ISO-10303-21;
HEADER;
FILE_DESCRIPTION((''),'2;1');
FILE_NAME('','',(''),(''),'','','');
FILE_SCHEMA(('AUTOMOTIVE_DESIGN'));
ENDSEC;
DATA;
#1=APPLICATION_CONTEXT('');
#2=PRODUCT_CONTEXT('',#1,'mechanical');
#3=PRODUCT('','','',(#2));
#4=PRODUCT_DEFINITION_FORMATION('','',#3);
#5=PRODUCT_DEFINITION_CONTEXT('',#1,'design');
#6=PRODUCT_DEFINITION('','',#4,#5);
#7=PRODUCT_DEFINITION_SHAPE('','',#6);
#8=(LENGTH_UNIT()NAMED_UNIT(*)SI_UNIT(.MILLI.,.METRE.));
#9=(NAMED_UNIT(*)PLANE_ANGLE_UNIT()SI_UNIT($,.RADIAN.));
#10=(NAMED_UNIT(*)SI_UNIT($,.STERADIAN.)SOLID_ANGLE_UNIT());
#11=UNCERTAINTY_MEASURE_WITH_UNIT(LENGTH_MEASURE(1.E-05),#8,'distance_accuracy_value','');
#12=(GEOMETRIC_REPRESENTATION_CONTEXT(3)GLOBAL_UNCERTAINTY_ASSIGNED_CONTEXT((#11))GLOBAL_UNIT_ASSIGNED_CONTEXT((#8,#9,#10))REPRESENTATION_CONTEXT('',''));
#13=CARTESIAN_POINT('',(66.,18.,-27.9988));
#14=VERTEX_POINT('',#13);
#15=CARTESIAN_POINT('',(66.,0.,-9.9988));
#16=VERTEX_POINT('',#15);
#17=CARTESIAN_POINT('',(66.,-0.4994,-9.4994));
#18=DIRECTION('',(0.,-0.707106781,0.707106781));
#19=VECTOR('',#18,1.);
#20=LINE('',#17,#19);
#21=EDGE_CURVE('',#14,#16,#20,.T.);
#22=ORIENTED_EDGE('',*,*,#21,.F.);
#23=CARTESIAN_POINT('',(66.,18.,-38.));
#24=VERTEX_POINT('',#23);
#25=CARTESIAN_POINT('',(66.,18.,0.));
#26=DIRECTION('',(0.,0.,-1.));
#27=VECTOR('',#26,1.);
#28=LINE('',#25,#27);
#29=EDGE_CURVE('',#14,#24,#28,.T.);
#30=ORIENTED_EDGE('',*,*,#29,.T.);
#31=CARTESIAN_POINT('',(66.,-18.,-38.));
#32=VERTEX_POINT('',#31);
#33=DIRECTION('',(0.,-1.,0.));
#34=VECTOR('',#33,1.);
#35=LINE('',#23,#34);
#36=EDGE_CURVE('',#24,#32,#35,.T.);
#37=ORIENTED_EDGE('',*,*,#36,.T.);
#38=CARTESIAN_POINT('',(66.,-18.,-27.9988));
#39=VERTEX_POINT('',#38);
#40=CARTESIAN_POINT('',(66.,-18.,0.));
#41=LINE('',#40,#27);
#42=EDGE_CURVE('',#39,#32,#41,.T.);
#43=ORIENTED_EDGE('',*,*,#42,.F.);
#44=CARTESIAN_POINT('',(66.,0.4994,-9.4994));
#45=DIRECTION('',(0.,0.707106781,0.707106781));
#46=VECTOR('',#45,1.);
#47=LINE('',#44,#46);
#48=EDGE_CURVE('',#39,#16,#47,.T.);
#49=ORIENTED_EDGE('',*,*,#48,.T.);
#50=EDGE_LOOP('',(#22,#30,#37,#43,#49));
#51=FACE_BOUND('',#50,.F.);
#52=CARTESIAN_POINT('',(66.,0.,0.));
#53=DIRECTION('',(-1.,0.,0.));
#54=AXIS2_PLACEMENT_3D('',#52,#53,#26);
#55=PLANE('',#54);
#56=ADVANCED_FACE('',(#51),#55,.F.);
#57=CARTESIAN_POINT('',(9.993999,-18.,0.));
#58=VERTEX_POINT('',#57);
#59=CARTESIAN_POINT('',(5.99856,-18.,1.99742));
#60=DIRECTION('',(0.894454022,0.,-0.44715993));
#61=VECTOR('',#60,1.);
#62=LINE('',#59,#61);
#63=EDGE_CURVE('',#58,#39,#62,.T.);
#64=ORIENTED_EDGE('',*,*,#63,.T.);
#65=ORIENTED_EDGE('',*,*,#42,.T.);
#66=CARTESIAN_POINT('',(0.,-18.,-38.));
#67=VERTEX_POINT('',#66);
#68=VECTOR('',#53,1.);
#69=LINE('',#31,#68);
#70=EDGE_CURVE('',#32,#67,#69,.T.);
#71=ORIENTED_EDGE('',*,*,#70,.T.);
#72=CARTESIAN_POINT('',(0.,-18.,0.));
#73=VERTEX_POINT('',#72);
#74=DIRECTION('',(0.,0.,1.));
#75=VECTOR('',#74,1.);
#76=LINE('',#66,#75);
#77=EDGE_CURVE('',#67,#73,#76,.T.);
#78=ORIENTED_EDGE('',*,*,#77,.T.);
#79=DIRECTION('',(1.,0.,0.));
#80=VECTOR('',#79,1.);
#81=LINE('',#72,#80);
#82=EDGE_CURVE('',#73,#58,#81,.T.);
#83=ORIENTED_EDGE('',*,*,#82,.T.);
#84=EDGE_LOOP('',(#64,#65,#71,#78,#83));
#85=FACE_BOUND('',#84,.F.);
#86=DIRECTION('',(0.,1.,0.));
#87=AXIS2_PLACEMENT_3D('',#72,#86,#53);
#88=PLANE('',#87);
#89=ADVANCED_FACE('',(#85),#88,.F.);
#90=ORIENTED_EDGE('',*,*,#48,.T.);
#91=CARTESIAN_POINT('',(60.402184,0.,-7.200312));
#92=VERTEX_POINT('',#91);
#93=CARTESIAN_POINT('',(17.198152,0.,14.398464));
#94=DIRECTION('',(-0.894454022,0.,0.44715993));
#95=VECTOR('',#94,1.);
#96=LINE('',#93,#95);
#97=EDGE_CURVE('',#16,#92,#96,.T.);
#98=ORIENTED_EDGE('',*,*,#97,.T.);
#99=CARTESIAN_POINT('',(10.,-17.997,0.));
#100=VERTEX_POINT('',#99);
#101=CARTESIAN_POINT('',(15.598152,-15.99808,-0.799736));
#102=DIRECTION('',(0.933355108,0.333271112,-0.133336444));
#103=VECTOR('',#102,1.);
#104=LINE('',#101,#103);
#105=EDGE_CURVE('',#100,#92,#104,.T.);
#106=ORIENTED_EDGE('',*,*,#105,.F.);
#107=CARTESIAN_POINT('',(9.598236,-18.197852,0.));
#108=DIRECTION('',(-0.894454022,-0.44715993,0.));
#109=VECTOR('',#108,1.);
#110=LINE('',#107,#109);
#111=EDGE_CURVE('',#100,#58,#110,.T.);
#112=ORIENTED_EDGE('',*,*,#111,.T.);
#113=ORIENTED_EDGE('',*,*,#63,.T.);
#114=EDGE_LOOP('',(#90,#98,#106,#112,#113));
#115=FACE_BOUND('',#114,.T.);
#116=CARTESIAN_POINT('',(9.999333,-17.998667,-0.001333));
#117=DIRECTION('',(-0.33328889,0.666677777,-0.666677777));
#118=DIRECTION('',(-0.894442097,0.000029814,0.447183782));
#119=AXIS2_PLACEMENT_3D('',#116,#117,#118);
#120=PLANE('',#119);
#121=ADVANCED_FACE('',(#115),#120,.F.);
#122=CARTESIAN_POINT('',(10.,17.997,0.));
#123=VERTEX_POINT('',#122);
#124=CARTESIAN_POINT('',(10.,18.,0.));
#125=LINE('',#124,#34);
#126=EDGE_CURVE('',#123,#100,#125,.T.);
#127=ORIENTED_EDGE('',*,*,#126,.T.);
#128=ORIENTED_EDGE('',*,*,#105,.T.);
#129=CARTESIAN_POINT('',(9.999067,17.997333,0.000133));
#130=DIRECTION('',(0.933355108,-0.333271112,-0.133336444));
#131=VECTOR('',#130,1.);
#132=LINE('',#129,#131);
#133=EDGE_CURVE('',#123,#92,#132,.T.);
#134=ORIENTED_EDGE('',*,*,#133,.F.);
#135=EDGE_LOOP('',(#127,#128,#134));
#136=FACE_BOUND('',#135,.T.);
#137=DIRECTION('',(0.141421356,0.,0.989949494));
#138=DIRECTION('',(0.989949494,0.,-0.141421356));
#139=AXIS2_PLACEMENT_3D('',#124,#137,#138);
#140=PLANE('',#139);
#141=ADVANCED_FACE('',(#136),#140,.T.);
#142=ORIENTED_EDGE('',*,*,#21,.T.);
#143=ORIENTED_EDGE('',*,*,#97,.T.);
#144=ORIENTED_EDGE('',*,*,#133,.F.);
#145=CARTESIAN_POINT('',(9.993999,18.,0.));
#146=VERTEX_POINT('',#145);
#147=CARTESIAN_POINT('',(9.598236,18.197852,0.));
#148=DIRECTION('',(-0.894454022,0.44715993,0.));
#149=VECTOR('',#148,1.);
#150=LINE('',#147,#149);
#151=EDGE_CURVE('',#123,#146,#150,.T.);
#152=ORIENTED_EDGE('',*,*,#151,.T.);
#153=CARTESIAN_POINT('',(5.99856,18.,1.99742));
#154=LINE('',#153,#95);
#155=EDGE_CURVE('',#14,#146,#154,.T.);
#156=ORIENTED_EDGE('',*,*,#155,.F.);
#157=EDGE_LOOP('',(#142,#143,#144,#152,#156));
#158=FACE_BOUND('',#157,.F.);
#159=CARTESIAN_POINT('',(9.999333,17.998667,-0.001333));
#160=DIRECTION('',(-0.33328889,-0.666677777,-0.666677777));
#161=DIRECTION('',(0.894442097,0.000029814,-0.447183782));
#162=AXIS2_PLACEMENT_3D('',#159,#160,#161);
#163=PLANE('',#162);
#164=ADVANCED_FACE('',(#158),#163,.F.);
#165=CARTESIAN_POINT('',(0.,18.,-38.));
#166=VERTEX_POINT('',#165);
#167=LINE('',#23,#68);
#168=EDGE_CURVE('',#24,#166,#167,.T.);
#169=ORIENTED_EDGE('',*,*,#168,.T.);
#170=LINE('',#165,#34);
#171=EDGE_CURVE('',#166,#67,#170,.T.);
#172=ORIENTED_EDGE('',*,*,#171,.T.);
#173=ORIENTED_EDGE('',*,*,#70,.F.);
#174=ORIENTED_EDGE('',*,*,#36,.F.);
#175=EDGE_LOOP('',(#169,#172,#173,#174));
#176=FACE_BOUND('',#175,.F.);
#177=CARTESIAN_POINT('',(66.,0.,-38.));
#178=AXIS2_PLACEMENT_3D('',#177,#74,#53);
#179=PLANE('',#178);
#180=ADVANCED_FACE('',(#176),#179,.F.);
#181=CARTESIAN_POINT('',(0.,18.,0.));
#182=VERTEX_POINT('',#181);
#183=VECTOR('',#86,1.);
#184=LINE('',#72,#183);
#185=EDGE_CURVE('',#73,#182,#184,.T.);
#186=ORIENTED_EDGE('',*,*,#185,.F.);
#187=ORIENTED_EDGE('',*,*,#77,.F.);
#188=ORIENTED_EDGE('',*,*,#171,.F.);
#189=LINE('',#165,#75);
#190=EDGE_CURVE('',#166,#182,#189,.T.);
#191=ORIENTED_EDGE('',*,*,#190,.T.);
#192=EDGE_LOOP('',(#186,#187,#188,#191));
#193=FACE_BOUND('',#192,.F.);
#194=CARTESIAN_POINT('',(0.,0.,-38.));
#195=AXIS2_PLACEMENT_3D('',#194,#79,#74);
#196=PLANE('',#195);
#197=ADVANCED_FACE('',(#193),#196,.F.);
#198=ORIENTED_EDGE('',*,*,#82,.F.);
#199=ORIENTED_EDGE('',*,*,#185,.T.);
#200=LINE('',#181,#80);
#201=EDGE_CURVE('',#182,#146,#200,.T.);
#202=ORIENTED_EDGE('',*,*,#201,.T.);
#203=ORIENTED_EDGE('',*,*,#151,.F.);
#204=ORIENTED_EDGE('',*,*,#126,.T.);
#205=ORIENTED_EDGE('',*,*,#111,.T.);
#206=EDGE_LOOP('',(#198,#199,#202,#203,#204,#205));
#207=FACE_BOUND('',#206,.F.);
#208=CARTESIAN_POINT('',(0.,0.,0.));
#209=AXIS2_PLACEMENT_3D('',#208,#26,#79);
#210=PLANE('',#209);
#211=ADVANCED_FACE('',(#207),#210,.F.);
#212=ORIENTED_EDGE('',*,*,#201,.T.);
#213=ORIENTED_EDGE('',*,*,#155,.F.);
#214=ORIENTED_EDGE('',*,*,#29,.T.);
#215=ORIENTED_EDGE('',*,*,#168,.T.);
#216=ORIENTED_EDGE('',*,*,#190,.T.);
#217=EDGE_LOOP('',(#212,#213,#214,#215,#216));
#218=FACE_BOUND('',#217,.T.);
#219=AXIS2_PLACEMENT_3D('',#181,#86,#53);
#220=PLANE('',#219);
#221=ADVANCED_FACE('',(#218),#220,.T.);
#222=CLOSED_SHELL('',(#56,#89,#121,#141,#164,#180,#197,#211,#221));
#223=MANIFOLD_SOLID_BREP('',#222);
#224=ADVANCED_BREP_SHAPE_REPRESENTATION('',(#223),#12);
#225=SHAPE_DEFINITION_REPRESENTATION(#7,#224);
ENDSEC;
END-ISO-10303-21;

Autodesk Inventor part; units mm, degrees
ref_plane "YZ Plane" through (0, 0, 0) normal (1, 0, 0) x (0, 1, 0)
ref_plane "XZ Plane" through (0, 0, 0) normal (0, 1, 0) x (-1, 0, 0)
sketch "草圖1" plane through (0, 0, 0) normal (0, 1, 0) x (-1, 0, 0)
  line L0 (0, 0) -> (-66, 0)
  line L1 (-66, 0) -> (-66, -38)
  line L2 (-66, -38) -> (0, -38)
  line L3 (0, -38) -> (0, 0)
  dimension "d0" = 66
  dimension "d1" = 38
extrude "擠出1" add sketch "草圖1" along normal mid plane 36
sketch "草圖2" plane through (0, 18, 0) normal (0, 1, 0) x (1, 0, 0)
  line L0 (0, 0) -> (66, 0) projected
  line L1 (10, 0) -> (66, 8)
  line L2 (66, 0) -> (66, 38) projected
  dimension "d4" = 10
  dimension "d5" = 30
extrude "擠出2" cut sketch "草圖2" against normal blind 40
sketch "草圖3" plane through (66, -18, -38) normal (1, 0, 0) x (0, 0, -1)
  line L0 (-30, 16) -> (-10, 36)
  line L1 (0, 36) -> (-38, 36) projected
  line L2 (-30, 36) -> (-30, 0) projected
  point P0 (-38, 18)
  dimension "d8" = 20
  dimension "d9" = 20
ref_plane "工作平面1" through (10, 18, 0) normal (-0.3333, -0.6667, -0.6667) x (0.8944, 0, -0.4472)
sketch "草圖4" plane through (10, 18, 0) normal (-0.3333, -0.6667, -0.6667) x (0.8944, 0, -0.4472)
  line L0 (-15.1543, -12.3218) -> (93.717, -12.3218)
  line L1 (93.717, -12.3218) -> (93.717, 28.8166)
  line L2 (93.717, 28.8166) -> (-15.1543, 28.8166)
  line L3 (-15.1543, 28.8166) -> (-15.1543, -12.3218)
  point P0 (-8.9443, 10.435)
extrude "擠出3" cut sketch "草圖4" against normal blind 40
mirror "鏡射1" about plane through (0, 0, 0) normal (0, 1, 0) of "擠出3"
properties part number "10"
